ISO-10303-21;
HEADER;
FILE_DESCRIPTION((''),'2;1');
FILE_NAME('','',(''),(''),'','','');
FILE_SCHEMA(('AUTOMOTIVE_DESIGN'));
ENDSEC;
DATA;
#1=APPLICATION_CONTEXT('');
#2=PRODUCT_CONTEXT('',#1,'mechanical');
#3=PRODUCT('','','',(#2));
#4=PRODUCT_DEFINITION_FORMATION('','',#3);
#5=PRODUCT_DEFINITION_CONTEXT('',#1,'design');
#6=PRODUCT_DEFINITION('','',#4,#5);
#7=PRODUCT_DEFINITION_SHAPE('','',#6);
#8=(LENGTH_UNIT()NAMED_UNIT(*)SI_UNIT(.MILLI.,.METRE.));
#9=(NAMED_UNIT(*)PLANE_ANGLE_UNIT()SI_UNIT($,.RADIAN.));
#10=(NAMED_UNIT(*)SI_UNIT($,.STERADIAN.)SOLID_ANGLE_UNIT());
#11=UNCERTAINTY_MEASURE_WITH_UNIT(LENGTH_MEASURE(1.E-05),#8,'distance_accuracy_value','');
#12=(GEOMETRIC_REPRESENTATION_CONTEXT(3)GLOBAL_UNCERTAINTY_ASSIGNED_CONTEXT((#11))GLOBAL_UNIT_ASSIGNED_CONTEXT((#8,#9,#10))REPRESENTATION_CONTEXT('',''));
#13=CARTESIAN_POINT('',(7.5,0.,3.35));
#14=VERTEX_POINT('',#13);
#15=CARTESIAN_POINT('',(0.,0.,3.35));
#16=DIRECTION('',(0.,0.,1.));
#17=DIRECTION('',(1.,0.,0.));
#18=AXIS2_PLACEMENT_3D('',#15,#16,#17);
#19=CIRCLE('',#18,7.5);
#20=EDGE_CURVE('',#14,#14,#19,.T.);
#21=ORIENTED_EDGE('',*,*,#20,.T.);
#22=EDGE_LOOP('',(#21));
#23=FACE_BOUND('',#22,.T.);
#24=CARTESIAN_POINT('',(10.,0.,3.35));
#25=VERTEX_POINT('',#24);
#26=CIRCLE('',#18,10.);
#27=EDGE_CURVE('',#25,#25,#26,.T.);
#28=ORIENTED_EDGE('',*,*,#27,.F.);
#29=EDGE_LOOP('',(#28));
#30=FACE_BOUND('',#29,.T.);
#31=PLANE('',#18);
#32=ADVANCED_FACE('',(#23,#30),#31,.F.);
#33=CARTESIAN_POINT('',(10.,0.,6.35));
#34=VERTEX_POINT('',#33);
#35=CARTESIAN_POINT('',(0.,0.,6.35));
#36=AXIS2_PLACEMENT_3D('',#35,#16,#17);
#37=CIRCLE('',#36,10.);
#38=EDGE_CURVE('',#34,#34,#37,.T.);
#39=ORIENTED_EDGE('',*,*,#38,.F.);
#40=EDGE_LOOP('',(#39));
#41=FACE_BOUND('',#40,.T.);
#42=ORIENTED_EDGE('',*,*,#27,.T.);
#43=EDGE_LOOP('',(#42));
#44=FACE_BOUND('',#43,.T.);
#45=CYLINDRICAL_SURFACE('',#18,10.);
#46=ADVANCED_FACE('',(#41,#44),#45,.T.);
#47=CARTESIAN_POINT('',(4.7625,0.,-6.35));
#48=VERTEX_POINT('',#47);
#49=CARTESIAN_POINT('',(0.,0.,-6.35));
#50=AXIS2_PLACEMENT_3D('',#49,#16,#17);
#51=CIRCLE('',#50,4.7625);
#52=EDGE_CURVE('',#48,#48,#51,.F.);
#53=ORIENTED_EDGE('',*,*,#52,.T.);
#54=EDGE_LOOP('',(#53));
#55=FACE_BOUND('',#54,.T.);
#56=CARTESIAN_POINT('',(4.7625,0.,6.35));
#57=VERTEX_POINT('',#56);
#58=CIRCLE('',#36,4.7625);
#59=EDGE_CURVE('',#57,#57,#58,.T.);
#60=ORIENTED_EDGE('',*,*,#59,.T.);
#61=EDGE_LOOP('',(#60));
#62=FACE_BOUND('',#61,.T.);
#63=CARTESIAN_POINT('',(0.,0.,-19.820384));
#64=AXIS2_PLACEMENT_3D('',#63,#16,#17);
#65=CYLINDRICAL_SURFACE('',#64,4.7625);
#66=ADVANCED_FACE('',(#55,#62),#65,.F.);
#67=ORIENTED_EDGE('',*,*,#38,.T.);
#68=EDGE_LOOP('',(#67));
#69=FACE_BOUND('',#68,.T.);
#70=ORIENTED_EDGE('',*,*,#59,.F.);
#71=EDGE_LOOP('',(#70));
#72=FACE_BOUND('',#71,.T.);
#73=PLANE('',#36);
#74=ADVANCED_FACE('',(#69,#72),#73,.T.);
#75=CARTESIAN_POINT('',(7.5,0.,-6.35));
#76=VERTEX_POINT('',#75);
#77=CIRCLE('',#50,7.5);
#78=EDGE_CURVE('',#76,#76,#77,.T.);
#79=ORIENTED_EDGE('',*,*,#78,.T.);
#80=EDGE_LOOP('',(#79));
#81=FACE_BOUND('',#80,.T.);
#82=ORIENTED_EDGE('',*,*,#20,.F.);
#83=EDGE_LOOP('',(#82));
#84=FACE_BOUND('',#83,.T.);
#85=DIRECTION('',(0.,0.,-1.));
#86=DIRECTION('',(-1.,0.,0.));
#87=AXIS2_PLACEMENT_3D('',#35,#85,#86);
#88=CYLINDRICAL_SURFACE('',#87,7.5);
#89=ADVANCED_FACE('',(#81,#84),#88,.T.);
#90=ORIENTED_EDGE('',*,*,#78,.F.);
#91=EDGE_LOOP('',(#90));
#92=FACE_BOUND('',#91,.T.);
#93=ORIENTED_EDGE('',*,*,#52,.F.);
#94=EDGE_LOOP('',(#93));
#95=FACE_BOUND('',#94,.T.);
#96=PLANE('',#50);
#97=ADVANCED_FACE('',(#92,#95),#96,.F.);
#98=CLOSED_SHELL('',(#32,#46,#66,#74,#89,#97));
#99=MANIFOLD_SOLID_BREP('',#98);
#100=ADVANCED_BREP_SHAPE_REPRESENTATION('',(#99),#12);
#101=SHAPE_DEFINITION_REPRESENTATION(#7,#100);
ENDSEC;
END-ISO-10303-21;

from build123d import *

# Parameters (mm, degrees)
SKETCH1_R           = 7.5
BOSS_EXTRUDE1_DEPTH = 6.35
SKETCH2_R           = 4.7625
CUT_EXTRUDE1_DEPTH  = 12.7
SKETCH3_R           = 10
SKETCH3_R_2         = 4.7625
BOSS_EXTRUDE2_DEPTH = 3


with BuildPart() as part:
    # Sketch1 → Boss-Extrude1 (new, symmetric)
    with BuildSketch(Plane.XY):
        Circle(SKETCH1_R)
    extrude(amount=BOSS_EXTRUDE1_DEPTH, both=True)

    # Sketch2 → Cut-Extrude1 (cut)
    with BuildSketch(Plane.XY.offset(6.35)):
        Circle(SKETCH2_R)
    extrude(amount=-CUT_EXTRUDE1_DEPTH, mode=Mode.SUBTRACT)

    # Sketch3 → Boss-Extrude2 (add)
    with BuildSketch(Plane.XY.offset(6.35)):
        Circle(SKETCH3_R)
        Circle(SKETCH3_R_2, mode=Mode.SUBTRACT)
    extrude(amount=-BOSS_EXTRUDE2_DEPTH)


solid = part.part
